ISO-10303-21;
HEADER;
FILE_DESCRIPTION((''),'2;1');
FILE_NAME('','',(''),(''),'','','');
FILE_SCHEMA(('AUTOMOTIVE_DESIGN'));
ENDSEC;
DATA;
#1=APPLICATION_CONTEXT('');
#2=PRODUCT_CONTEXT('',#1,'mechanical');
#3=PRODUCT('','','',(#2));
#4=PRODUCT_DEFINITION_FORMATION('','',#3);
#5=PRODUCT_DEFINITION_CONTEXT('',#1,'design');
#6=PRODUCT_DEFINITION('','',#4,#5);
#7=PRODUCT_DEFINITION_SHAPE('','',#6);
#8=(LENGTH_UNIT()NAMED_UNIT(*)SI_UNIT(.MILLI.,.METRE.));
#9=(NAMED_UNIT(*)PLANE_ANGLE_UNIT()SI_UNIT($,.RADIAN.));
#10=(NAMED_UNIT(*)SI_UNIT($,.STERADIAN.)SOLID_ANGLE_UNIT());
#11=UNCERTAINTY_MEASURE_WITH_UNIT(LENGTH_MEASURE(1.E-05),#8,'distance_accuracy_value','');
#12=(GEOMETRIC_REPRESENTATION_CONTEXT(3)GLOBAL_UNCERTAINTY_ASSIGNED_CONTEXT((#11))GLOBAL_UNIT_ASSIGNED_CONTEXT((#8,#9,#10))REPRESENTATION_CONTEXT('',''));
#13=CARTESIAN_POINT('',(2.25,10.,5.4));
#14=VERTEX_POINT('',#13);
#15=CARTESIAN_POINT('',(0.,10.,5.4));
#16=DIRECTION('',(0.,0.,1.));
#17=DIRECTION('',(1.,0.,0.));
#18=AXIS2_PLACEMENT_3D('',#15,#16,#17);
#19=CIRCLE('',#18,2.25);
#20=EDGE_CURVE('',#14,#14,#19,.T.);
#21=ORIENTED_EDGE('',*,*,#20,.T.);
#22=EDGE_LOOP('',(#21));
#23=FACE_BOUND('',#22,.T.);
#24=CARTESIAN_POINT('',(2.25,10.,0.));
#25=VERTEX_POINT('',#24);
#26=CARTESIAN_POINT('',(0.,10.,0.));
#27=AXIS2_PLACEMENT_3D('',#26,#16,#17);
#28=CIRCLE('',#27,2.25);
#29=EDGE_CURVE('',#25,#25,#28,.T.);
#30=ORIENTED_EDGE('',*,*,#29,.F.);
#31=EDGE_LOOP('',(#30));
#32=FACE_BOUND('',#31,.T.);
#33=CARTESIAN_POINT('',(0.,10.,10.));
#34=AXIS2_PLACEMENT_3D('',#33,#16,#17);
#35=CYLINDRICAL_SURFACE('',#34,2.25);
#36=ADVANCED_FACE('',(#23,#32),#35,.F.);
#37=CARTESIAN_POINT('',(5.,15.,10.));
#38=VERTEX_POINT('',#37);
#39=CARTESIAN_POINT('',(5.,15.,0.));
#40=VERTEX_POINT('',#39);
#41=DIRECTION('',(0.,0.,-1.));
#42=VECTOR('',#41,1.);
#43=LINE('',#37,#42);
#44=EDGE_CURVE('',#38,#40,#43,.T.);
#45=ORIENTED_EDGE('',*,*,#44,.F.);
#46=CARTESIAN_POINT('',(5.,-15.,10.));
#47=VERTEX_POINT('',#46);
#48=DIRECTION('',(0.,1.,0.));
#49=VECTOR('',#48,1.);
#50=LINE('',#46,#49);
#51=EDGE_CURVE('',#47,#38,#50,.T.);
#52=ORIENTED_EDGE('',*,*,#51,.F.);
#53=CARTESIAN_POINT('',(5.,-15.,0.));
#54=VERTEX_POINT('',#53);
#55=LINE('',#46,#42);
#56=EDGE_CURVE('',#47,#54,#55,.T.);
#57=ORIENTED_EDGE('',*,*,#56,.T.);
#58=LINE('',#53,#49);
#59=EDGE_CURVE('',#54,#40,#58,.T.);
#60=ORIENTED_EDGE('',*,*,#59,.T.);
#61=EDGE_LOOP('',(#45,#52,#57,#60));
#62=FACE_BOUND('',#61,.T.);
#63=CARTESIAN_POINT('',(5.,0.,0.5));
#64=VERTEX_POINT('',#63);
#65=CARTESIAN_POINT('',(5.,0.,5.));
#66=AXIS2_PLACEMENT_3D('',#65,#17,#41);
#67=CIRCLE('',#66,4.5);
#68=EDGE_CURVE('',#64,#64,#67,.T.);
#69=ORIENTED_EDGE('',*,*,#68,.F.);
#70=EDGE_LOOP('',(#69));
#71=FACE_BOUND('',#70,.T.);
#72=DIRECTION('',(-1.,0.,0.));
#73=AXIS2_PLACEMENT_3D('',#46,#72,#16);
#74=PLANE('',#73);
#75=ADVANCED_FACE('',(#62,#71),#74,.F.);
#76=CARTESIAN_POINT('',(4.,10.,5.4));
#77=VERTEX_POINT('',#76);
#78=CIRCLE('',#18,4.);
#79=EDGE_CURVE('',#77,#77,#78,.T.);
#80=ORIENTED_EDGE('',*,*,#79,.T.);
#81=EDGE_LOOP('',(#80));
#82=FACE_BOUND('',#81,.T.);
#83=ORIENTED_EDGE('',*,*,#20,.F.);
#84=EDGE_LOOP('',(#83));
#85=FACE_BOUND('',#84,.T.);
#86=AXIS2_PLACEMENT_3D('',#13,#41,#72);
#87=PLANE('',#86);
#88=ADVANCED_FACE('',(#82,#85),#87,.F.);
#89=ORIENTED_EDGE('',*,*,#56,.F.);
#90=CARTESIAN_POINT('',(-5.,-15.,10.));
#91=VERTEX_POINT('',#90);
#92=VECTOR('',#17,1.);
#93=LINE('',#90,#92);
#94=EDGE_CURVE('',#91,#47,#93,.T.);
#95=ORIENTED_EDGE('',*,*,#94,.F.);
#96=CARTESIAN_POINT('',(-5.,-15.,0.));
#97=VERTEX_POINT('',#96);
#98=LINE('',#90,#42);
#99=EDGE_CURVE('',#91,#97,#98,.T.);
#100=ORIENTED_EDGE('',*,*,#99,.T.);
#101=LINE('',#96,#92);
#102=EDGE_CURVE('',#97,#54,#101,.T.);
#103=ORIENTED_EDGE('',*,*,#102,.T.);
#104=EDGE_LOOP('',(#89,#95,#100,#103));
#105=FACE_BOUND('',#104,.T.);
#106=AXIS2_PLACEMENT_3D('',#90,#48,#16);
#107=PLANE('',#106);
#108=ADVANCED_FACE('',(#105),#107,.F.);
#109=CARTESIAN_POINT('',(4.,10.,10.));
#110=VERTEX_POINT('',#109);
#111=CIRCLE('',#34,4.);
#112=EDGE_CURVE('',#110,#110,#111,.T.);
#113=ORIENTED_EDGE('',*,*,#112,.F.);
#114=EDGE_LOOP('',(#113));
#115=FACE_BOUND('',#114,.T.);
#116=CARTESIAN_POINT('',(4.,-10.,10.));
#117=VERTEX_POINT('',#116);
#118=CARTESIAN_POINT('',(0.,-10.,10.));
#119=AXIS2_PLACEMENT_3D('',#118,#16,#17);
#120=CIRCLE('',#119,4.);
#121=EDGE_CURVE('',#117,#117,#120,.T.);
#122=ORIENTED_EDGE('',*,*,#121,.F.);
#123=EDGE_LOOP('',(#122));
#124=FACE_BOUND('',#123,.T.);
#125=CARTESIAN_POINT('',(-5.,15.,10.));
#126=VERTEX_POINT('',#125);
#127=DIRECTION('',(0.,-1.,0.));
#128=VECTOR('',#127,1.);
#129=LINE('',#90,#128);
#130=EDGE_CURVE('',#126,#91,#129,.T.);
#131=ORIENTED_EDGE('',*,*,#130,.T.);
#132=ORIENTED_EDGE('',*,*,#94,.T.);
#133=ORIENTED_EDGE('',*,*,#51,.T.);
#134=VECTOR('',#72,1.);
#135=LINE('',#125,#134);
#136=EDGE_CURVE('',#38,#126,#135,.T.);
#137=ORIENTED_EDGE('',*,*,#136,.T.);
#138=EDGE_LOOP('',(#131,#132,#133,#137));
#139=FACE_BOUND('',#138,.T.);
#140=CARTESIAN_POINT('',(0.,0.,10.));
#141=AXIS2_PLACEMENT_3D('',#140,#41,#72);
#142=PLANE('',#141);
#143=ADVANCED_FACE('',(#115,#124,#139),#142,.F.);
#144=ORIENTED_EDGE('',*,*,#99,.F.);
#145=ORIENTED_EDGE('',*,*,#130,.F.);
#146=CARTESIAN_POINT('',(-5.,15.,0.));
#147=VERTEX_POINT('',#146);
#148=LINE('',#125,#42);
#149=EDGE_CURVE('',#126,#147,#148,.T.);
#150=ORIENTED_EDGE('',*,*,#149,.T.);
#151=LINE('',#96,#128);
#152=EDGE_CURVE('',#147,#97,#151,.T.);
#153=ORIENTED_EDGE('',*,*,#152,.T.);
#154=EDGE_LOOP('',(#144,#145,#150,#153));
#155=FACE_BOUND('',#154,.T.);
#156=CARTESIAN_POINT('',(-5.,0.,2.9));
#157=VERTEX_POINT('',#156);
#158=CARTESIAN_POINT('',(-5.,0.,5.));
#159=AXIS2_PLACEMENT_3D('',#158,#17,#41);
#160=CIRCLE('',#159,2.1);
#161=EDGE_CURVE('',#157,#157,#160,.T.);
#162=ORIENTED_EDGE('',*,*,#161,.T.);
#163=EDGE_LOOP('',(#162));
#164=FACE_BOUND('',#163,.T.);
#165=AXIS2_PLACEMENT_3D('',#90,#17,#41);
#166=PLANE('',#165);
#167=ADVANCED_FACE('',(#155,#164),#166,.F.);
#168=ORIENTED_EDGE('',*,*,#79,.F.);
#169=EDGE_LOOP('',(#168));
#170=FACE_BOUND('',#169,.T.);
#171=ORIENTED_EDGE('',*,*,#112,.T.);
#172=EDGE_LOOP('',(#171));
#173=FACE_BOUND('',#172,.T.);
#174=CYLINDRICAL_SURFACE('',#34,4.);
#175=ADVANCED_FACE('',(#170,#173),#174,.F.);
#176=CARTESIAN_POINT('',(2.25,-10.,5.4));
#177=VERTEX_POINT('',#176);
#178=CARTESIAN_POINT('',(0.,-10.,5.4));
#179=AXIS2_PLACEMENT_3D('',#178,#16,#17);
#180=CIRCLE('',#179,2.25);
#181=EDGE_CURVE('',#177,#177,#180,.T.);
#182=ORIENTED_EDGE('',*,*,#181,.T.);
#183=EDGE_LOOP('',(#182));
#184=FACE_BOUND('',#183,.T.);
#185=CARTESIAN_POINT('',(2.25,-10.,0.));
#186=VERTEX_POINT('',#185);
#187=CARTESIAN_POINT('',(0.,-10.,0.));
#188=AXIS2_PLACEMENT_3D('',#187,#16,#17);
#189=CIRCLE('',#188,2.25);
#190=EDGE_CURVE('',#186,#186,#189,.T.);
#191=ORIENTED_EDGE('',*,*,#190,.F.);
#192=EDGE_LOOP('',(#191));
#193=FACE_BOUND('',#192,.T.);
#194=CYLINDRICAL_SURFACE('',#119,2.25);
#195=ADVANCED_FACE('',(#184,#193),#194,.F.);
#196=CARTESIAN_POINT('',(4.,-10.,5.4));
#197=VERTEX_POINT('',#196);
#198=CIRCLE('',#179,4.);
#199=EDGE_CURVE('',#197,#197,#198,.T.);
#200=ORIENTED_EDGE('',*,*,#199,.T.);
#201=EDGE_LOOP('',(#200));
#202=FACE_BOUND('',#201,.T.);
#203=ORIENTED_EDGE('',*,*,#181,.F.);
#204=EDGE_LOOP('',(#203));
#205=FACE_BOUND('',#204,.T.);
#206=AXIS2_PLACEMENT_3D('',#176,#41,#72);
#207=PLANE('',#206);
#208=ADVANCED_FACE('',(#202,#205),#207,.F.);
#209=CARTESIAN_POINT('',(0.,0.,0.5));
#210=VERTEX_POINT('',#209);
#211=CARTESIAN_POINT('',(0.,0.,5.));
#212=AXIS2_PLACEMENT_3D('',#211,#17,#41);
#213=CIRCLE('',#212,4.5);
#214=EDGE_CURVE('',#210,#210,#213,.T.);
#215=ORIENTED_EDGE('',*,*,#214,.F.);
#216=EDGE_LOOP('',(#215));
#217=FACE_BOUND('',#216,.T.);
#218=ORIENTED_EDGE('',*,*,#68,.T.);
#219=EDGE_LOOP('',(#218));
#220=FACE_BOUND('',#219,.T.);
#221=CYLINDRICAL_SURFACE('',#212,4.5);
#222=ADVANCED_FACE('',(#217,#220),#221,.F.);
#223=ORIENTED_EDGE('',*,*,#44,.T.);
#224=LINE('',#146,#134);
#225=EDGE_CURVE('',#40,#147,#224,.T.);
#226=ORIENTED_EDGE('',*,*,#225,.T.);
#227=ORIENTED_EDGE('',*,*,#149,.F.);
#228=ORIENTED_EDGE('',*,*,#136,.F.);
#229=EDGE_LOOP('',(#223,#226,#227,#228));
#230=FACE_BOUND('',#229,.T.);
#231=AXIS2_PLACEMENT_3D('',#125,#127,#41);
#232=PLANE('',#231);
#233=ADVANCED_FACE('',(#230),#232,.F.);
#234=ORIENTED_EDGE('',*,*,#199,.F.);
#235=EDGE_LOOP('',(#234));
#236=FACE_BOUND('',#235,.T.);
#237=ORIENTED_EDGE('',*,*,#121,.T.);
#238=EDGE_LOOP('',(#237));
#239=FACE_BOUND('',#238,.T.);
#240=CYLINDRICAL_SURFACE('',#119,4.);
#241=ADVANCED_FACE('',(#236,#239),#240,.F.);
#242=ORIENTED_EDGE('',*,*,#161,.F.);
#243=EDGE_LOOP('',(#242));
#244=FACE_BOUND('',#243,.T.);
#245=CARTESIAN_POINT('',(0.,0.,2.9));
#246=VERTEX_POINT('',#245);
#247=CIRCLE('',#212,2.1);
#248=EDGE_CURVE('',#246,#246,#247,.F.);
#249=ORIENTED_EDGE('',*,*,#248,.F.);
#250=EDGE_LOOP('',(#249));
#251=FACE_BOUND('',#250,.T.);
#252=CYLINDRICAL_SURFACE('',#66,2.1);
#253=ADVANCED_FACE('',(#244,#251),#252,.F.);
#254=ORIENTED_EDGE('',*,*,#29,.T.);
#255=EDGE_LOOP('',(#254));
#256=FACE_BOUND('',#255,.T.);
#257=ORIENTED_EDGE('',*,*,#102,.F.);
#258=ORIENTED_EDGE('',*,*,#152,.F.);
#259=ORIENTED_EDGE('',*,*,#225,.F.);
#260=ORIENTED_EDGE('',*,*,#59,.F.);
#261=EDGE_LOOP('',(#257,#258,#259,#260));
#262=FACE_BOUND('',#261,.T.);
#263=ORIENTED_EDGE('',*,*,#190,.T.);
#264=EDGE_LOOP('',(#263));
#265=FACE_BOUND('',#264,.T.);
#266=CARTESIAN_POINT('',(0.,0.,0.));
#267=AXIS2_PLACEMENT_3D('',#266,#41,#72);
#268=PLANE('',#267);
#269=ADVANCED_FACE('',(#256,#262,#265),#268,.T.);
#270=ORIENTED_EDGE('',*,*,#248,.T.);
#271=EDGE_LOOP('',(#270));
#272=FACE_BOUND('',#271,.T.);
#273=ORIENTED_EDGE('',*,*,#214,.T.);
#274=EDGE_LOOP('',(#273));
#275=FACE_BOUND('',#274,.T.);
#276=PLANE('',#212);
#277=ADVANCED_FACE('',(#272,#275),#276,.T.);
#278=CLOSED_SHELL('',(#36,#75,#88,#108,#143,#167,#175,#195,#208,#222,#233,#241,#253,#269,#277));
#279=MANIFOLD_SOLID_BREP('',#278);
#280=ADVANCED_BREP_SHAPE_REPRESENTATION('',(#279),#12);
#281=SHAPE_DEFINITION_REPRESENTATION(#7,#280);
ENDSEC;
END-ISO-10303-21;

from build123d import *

# Parameters (mm, degrees)
SKETCH_1_W                = 10
SKETCH_1_H                = 30
EXTRUDE_1_DEPTH           = 10
HOLE_WIZARD_1_D           = 4.5
HOLE_WIZARD_1_CBORE_D     = 8
HOLE_WIZARD_1_CBORE_DEPTH = 4.6
HOLE_WIZARD_M5_1_D        = 4.2
SKETCH_6_R                = 4.5
CUT_EXTRUDE_1_DEPTH       = 5


with BuildPart() as part:
    # 草图1 → 凸台-拉伸1 (new body)
    with BuildSketch(Plane.XY):
        Rectangle(SKETCH_1_W, SKETCH_1_H)
    extrude(amount=EXTRUDE_1_DEPTH)

    # 打孔尺寸(%根据)内六角圆柱头螺钉的类型1 (through all)
    with Locations(Plane.XY.offset(10)):
        with Locations((0, 10), (0, -10)):
            CounterBoreHole(HOLE_WIZARD_1_D / 2, HOLE_WIZARD_1_CBORE_D / 2, HOLE_WIZARD_1_CBORE_DEPTH)

    # M5 螺纹孔1 (through all)
    with Locations(Plane(origin=(5, 0, 0), x_dir=(0, 0, -1), z_dir=(1, 0, 0))):
        with Locations((-5, 0)):
            Hole(HOLE_WIZARD_M5_1_D / 2)

    # 草图6 → 切除-拉伸1 (cut)
    with BuildSketch(Plane(origin=(5, 0, 0), x_dir=(0, 0, -1), z_dir=(1, 0, 0))):
        with Locations((-5, 0)):
            Circle(SKETCH_6_R)
    extrude(amount=-CUT_EXTRUDE_1_DEPTH, mode=Mode.SUBTRACT)


solid = part.part
